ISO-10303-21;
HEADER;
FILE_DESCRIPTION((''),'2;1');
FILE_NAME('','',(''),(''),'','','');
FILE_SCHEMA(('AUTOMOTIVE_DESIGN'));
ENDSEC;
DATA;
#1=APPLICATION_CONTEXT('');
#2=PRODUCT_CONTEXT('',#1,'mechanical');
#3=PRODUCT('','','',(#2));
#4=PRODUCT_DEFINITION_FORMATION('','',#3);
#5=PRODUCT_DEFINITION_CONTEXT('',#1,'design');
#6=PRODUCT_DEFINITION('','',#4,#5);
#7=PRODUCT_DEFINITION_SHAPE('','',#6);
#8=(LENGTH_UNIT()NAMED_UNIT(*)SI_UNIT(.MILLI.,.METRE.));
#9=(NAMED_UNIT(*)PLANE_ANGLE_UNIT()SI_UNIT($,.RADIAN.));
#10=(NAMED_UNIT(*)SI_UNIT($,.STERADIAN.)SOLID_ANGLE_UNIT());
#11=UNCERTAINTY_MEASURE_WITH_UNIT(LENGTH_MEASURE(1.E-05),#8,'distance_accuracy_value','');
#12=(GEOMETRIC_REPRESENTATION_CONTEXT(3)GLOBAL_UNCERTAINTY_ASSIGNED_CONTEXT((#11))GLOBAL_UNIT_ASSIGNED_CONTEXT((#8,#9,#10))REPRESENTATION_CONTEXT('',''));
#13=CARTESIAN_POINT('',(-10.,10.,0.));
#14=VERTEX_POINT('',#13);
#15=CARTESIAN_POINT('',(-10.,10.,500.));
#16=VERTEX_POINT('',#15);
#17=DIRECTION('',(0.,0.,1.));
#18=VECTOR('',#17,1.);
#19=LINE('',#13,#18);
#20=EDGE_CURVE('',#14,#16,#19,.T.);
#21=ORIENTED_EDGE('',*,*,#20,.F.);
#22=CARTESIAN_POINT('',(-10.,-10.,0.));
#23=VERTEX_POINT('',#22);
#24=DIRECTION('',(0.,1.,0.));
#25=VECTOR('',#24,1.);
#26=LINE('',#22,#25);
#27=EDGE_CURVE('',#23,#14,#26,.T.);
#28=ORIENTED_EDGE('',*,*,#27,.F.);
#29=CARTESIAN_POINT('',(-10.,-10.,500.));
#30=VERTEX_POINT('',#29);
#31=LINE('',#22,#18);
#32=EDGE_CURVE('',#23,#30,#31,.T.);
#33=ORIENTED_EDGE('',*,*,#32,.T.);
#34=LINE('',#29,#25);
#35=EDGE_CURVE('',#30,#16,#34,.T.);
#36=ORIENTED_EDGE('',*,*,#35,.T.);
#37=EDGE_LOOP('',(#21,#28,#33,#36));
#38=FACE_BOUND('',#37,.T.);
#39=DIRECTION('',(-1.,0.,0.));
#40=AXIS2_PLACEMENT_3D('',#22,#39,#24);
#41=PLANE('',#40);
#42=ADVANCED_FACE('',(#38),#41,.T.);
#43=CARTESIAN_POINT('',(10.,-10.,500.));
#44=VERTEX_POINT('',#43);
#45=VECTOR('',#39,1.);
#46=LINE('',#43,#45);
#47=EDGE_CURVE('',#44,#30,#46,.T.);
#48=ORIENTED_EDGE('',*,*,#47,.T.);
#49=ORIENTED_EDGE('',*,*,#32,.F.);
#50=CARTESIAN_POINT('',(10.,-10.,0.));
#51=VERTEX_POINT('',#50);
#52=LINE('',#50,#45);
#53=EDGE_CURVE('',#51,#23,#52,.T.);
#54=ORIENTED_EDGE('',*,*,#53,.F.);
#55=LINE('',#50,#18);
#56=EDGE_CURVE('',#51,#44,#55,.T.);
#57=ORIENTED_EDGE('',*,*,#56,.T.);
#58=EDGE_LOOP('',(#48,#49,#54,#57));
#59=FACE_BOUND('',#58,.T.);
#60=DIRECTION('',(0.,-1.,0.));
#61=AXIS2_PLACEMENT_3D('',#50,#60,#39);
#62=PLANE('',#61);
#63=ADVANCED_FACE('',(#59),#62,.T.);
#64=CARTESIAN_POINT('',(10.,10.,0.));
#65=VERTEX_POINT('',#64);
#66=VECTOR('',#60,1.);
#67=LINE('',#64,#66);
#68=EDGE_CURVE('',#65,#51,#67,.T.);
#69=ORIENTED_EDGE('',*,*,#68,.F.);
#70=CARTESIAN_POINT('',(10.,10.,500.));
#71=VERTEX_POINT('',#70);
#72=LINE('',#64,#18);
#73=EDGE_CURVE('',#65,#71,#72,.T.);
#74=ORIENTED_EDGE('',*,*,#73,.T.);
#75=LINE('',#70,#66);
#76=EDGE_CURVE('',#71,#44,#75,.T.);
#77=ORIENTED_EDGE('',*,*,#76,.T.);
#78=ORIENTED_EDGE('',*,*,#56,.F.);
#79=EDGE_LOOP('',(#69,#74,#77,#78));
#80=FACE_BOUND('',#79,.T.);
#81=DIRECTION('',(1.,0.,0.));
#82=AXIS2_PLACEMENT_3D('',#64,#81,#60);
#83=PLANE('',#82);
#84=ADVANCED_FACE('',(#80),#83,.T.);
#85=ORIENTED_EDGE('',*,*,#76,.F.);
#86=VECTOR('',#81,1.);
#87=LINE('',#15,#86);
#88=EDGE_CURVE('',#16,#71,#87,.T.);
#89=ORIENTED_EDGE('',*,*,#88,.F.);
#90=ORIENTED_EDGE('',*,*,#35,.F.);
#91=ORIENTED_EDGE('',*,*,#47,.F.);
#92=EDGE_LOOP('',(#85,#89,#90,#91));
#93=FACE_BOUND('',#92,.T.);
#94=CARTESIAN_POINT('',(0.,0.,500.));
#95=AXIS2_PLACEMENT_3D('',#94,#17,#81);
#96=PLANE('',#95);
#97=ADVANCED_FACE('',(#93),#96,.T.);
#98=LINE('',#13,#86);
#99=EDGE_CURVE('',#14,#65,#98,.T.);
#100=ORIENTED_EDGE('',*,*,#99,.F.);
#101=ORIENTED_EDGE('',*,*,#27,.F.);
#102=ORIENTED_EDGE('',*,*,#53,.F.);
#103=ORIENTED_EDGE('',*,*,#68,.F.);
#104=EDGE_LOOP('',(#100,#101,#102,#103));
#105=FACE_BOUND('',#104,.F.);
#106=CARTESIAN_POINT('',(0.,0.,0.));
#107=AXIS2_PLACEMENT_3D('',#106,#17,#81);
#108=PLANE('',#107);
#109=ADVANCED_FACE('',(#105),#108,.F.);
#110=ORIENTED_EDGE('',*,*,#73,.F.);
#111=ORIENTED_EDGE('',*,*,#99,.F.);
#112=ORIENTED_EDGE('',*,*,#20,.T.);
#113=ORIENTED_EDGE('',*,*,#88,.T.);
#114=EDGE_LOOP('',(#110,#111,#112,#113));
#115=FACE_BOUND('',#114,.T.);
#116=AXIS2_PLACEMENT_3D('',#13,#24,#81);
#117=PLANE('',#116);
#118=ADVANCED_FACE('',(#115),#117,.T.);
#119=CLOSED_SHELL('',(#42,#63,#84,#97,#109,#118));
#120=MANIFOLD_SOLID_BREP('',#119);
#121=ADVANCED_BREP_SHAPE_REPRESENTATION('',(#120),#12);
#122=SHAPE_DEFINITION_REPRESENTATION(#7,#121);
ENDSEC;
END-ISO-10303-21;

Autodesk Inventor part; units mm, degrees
ref_plane "YZ Plane" through (0, 0, 0) normal (1, 0, 0) x (0, 1, 0)
ref_plane "XZ Plane" through (0, 0, 0) normal (0, 1, 0) x (-1, 0, 0)
ref_plane "XY Plane" through (0, 0, 0) normal (0, 0, 1) x (1, 0, 0)
sketch "Эскиз1" plane through (0, 0, 0) normal (0, 0, 1) x (1, 0, 0)
  line L0 (10, -10) -> (-10, -10)
  line L1 (-10, -10) -> (-10, 10)
  line L2 (-10, 10) -> (10, 10)
  line L3 (10, 10) -> (10, -10)
  line L4 (10, -10) -> (-10, 10) construction
  line L5 (-10, -10) -> (10, 10) construction
  point P0 (0, 0)
  dimension "d0" = 20
  dimension "d1" = 20
extrude "Выдавливание1" add sketch "Эскиз1" along normal blind 500
properties part number "балка" material "Сталь нержавеющая, 440C"
